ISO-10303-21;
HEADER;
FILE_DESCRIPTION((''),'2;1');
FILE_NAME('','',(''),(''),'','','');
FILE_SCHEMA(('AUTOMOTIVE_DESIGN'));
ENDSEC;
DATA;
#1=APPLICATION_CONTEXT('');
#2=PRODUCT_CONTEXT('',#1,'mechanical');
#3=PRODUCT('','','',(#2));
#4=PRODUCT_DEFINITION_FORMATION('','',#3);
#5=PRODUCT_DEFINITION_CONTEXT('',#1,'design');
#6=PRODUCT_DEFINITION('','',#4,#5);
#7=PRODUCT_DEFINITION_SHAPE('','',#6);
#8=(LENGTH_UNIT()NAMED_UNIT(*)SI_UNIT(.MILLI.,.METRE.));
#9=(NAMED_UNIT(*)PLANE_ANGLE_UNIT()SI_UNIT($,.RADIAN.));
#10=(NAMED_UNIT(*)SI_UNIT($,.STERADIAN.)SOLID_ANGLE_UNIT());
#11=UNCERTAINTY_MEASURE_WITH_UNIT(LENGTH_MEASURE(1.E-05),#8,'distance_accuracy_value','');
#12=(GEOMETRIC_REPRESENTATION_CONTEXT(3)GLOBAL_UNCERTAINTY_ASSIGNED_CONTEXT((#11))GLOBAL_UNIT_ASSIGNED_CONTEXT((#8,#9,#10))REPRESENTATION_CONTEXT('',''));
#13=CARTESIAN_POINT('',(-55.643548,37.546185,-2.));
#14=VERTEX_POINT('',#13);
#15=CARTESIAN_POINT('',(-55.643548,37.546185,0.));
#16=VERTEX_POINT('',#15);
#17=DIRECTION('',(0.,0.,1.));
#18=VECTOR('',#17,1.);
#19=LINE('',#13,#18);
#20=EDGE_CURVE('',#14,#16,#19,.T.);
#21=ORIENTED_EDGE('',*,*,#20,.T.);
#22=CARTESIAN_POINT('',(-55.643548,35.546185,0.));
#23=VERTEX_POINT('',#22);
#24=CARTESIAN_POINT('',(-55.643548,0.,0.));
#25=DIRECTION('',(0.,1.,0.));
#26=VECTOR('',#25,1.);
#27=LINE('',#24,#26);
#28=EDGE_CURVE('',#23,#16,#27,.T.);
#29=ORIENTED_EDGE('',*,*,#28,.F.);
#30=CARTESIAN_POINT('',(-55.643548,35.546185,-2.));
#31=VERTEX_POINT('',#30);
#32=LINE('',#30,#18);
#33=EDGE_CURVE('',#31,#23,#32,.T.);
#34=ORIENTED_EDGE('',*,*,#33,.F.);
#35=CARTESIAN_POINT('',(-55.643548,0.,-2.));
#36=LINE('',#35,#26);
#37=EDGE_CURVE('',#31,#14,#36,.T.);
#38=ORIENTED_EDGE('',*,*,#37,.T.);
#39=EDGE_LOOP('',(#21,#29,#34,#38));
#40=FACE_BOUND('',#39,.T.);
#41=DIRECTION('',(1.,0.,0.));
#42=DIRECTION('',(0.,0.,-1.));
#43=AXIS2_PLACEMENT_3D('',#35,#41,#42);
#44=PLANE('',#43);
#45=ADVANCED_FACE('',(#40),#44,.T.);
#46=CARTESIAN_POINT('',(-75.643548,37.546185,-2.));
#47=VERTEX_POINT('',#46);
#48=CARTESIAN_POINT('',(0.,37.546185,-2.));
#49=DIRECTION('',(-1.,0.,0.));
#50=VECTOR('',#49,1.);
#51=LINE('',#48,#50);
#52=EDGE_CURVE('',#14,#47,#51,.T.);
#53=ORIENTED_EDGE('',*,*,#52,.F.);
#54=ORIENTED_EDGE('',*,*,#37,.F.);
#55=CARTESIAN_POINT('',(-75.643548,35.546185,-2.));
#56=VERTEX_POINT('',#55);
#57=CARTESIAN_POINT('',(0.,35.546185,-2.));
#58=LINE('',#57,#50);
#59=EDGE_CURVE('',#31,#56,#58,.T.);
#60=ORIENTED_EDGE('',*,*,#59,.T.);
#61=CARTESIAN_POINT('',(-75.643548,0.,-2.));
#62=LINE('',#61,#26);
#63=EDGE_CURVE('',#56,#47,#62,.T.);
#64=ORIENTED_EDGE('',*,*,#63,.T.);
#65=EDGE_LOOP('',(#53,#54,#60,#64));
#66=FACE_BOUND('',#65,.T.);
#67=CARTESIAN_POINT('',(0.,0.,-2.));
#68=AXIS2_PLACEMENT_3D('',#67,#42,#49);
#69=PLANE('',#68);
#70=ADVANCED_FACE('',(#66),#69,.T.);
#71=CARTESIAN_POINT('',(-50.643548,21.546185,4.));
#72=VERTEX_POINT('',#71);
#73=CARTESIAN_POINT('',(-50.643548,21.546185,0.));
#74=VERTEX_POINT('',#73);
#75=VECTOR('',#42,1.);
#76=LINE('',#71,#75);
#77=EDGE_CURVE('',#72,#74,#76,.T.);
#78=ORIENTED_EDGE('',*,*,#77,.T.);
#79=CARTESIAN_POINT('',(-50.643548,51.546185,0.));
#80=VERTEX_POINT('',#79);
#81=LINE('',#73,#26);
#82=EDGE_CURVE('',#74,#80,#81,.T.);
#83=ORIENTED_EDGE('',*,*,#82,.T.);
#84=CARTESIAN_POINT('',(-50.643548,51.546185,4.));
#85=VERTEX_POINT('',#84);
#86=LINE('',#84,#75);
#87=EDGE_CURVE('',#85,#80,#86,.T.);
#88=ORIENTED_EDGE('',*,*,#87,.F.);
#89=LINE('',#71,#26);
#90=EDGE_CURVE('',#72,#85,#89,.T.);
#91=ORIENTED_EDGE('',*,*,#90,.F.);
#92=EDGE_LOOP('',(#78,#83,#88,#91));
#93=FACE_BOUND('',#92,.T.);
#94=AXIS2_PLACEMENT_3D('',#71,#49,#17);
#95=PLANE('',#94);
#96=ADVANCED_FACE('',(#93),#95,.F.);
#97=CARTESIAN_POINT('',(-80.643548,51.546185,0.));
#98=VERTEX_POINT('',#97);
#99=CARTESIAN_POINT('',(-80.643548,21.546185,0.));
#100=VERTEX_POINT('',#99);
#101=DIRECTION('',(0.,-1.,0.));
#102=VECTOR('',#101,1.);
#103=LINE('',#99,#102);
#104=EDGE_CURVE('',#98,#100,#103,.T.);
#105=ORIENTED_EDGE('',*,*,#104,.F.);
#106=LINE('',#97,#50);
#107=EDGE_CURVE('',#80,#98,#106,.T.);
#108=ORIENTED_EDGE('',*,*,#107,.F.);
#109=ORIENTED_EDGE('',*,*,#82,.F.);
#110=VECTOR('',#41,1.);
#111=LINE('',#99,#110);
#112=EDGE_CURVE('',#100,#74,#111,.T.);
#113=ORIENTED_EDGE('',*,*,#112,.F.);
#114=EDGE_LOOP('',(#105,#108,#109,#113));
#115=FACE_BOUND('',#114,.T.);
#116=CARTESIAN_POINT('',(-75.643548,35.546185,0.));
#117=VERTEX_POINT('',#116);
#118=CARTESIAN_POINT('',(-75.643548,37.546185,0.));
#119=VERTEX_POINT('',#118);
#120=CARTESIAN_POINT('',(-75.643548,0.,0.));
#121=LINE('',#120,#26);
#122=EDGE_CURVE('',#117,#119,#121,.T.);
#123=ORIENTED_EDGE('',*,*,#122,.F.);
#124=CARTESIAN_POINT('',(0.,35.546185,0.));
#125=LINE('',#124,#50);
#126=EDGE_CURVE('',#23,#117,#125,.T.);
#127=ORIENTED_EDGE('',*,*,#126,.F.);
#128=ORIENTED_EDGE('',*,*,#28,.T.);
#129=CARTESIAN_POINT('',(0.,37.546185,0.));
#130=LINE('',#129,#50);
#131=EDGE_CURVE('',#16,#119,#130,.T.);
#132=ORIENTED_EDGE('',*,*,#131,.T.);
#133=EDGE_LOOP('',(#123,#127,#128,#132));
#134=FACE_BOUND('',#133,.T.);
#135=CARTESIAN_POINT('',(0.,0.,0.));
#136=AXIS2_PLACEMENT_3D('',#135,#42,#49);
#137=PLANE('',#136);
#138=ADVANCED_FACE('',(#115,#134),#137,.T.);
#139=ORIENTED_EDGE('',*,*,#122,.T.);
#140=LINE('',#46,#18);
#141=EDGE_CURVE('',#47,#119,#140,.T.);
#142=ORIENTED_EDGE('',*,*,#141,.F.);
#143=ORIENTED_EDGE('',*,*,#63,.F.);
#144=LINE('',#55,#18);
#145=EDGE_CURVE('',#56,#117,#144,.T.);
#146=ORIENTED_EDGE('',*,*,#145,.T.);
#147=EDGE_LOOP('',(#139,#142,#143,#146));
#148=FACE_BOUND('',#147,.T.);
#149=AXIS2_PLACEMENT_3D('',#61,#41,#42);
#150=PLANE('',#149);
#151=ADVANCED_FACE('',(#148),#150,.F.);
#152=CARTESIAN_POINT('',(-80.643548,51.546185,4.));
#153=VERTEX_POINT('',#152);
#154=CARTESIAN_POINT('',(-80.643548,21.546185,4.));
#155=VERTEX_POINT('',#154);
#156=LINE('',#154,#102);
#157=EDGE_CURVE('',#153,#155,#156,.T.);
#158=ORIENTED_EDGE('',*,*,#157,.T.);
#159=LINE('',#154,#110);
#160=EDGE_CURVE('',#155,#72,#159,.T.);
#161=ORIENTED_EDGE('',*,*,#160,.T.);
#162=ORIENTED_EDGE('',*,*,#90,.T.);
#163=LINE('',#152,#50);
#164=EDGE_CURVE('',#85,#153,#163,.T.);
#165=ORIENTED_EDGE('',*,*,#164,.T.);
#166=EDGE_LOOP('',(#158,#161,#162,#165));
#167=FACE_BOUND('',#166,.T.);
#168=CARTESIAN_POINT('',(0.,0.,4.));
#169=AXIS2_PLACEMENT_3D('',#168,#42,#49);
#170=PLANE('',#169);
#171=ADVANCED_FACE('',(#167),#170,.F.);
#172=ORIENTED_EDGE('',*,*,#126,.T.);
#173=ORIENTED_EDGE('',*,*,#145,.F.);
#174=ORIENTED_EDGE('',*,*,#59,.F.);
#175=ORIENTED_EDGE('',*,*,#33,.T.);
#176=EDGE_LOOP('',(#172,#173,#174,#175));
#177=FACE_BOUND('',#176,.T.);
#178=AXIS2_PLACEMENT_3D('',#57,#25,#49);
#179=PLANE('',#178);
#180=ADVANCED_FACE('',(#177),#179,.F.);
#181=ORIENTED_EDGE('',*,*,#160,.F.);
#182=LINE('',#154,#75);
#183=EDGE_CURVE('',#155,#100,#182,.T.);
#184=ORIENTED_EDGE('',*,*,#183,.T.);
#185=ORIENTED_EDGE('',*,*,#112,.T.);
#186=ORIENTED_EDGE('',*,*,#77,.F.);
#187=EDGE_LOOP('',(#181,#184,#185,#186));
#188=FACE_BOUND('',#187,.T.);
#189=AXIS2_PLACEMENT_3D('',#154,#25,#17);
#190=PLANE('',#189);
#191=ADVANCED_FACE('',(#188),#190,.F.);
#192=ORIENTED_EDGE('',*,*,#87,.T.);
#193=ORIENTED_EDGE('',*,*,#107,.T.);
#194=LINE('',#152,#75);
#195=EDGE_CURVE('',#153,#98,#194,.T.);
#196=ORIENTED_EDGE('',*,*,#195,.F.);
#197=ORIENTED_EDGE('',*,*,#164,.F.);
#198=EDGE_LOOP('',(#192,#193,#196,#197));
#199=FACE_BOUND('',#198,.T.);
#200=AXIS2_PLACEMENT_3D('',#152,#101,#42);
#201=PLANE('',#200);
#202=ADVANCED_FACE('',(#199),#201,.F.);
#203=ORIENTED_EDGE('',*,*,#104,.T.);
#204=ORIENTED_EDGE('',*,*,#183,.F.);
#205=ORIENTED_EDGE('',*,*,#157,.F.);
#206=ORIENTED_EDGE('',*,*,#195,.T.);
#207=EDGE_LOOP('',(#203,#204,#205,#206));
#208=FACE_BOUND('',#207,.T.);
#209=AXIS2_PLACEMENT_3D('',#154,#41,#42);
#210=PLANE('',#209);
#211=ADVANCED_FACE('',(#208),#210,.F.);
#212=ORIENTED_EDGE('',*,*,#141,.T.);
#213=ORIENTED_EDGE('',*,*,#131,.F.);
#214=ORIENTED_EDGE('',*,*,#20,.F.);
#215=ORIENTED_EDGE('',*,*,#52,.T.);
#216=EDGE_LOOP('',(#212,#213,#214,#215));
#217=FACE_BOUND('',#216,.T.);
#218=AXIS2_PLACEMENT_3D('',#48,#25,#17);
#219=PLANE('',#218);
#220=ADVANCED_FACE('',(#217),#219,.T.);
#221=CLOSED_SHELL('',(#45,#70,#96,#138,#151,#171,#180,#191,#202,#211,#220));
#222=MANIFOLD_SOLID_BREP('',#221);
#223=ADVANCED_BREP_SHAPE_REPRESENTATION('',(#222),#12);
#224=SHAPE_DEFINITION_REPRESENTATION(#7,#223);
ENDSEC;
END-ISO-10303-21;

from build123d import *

# Parameters (mm, degrees)
SKETCH_1_W      = 30
SKETCH_1_H      = 30
EXTRUDE_1_DEPTH = 4
SKETCH_2_W      = 20
SKETCH_2_H      = 1
EXTRUDE_2_DEPTH = 2


with BuildPart() as part:
    # 草图1 → 凸台-拉伸1 (new body)
    with BuildSketch(Plane.XY):
        with Locations((-65.643548009, 36.54618509)):
            Rectangle(SKETCH_1_W, SKETCH_1_H)
    extrude(amount=EXTRUDE_1_DEPTH)

    # 草图2 → 凸台-拉伸2 (add)
    with BuildSketch(Plane(origin=(0, 0, 0), x_dir=(-1, 0, 0), z_dir=(0, 0, -1))):
        with Locations((65.643548009, 36.04618509)):
            Rectangle(SKETCH_2_W, SKETCH_2_H)
        with Locations((65.643548009, 37.04618509)):
            Rectangle(SKETCH_2_W, SKETCH_2_H)
    extrude(amount=EXTRUDE_2_DEPTH)


solid = part.part
